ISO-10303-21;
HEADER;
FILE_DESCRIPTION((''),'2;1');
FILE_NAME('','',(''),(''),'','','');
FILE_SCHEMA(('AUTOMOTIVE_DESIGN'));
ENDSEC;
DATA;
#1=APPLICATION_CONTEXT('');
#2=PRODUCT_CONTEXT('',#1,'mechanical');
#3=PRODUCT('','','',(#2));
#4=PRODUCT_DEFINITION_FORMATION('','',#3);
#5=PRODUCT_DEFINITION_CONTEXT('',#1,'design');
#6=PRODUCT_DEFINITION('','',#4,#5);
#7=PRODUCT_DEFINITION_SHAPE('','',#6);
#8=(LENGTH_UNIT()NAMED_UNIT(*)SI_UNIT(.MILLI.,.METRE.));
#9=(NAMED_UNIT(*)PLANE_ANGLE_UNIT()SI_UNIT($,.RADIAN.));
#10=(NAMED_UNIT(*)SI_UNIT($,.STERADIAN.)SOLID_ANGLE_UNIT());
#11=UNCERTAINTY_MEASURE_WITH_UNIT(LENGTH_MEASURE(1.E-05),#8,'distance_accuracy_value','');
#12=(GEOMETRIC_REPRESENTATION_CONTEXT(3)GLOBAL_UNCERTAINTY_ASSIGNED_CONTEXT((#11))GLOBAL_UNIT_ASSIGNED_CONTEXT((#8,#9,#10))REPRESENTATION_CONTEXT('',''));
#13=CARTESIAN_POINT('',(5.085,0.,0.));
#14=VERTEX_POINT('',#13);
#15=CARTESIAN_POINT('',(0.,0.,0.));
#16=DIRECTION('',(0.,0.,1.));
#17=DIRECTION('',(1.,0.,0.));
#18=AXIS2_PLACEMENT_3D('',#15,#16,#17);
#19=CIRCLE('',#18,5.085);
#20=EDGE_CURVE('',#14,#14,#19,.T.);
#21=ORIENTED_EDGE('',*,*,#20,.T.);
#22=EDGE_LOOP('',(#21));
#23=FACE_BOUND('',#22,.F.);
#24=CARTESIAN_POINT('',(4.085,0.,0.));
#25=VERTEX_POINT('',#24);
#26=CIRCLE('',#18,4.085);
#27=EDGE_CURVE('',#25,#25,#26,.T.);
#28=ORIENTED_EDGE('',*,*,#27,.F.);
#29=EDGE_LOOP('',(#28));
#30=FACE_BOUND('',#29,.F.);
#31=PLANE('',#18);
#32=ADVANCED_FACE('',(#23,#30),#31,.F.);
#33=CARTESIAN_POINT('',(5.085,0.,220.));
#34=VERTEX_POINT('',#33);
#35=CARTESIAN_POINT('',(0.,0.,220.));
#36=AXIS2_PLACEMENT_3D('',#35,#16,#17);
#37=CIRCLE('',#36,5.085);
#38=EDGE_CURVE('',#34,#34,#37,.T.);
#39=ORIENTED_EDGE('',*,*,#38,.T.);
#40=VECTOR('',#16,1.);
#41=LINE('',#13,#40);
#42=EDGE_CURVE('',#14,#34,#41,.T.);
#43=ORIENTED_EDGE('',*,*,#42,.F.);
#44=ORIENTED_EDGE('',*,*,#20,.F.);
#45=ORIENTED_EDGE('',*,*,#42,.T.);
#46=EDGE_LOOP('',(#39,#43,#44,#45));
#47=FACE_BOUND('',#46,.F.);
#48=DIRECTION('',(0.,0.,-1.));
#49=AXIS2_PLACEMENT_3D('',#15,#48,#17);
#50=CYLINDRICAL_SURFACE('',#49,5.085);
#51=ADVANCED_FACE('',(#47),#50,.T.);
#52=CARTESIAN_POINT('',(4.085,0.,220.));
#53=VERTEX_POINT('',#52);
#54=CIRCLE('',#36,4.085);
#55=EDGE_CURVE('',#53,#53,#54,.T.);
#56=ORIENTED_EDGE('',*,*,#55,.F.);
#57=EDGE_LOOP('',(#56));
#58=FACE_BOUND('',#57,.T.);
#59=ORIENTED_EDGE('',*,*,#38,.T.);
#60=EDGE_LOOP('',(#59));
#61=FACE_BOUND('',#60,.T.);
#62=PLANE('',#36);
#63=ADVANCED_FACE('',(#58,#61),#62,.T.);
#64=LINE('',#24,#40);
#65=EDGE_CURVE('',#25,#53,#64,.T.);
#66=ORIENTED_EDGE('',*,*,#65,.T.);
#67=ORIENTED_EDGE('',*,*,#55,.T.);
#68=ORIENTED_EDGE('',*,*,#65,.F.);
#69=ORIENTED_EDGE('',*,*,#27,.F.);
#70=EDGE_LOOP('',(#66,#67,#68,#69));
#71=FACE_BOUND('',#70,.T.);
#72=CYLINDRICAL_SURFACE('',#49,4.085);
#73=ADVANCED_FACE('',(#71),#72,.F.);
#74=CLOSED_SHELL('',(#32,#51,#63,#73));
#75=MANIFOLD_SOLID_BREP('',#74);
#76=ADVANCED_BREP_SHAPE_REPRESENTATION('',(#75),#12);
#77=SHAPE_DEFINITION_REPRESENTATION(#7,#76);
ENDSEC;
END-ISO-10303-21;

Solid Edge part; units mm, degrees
sketch "Sketch1" plane through (0, 0, 0) normal (0, 0, 1) x (1, 0, 0)
  circle A0 centre (0, 0) radius 5.085
  circle A1 centre (0, 0) radius 4.085
extrude "Protrusion1" add sketch "Sketch1" along normal blind 220
